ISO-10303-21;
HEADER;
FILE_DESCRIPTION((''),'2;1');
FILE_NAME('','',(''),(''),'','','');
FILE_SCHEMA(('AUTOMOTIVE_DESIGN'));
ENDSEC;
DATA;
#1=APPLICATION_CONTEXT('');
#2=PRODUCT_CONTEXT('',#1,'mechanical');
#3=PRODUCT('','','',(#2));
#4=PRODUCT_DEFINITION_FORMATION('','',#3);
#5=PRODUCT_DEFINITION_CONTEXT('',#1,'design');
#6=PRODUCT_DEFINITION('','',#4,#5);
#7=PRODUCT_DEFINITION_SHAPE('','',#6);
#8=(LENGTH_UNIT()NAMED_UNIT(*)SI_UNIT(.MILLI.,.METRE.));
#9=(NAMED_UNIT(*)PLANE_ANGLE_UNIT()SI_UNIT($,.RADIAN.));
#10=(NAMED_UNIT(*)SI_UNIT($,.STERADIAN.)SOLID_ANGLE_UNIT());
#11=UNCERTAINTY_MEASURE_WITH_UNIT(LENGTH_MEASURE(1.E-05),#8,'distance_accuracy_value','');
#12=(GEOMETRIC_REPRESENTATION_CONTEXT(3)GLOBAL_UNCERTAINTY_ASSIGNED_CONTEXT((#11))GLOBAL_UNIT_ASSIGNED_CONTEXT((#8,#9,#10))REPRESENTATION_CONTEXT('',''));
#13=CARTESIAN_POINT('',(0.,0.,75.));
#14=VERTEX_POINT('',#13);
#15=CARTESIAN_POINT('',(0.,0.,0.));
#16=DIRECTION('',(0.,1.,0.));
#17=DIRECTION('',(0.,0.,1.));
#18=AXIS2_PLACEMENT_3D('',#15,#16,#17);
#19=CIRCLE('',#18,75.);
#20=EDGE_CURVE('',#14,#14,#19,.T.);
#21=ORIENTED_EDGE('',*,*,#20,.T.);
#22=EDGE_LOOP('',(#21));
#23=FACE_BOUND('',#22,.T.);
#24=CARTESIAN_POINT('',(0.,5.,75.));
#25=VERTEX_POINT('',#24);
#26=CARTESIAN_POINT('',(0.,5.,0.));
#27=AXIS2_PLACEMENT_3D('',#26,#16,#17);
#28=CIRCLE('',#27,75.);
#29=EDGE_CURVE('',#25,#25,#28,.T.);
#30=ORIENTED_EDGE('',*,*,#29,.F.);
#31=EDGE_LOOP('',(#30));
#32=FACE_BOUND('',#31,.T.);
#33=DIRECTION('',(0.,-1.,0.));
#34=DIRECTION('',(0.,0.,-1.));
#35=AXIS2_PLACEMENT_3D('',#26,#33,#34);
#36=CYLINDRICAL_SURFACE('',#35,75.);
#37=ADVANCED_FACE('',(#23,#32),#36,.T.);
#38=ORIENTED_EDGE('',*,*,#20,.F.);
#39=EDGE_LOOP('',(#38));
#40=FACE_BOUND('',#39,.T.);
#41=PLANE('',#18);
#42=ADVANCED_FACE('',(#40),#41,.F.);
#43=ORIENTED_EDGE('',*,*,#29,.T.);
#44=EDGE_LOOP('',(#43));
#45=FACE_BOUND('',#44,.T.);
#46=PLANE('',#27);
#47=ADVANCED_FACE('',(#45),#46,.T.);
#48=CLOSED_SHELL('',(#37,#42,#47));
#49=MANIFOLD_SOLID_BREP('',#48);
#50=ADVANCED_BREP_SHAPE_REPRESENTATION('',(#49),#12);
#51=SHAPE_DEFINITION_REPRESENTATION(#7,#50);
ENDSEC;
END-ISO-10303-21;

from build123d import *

# Parameters (mm, degrees)
SKETCH1_R           = 75
BOSS_EXTRUDE1_DEPTH = 5


with BuildPart() as part:
    # Sketch1 → Boss-Extrude1 (new body)
    with BuildSketch(Plane(origin=(0, 0, 0), x_dir=(1, 0, 0), z_dir=(0, 1, 0))):
        with Locations(Location((0, 0, 0), (0, 0, 270))):
            Circle(SKETCH1_R)
    extrude(amount=BOSS_EXTRUDE1_DEPTH)


solid = part.part
